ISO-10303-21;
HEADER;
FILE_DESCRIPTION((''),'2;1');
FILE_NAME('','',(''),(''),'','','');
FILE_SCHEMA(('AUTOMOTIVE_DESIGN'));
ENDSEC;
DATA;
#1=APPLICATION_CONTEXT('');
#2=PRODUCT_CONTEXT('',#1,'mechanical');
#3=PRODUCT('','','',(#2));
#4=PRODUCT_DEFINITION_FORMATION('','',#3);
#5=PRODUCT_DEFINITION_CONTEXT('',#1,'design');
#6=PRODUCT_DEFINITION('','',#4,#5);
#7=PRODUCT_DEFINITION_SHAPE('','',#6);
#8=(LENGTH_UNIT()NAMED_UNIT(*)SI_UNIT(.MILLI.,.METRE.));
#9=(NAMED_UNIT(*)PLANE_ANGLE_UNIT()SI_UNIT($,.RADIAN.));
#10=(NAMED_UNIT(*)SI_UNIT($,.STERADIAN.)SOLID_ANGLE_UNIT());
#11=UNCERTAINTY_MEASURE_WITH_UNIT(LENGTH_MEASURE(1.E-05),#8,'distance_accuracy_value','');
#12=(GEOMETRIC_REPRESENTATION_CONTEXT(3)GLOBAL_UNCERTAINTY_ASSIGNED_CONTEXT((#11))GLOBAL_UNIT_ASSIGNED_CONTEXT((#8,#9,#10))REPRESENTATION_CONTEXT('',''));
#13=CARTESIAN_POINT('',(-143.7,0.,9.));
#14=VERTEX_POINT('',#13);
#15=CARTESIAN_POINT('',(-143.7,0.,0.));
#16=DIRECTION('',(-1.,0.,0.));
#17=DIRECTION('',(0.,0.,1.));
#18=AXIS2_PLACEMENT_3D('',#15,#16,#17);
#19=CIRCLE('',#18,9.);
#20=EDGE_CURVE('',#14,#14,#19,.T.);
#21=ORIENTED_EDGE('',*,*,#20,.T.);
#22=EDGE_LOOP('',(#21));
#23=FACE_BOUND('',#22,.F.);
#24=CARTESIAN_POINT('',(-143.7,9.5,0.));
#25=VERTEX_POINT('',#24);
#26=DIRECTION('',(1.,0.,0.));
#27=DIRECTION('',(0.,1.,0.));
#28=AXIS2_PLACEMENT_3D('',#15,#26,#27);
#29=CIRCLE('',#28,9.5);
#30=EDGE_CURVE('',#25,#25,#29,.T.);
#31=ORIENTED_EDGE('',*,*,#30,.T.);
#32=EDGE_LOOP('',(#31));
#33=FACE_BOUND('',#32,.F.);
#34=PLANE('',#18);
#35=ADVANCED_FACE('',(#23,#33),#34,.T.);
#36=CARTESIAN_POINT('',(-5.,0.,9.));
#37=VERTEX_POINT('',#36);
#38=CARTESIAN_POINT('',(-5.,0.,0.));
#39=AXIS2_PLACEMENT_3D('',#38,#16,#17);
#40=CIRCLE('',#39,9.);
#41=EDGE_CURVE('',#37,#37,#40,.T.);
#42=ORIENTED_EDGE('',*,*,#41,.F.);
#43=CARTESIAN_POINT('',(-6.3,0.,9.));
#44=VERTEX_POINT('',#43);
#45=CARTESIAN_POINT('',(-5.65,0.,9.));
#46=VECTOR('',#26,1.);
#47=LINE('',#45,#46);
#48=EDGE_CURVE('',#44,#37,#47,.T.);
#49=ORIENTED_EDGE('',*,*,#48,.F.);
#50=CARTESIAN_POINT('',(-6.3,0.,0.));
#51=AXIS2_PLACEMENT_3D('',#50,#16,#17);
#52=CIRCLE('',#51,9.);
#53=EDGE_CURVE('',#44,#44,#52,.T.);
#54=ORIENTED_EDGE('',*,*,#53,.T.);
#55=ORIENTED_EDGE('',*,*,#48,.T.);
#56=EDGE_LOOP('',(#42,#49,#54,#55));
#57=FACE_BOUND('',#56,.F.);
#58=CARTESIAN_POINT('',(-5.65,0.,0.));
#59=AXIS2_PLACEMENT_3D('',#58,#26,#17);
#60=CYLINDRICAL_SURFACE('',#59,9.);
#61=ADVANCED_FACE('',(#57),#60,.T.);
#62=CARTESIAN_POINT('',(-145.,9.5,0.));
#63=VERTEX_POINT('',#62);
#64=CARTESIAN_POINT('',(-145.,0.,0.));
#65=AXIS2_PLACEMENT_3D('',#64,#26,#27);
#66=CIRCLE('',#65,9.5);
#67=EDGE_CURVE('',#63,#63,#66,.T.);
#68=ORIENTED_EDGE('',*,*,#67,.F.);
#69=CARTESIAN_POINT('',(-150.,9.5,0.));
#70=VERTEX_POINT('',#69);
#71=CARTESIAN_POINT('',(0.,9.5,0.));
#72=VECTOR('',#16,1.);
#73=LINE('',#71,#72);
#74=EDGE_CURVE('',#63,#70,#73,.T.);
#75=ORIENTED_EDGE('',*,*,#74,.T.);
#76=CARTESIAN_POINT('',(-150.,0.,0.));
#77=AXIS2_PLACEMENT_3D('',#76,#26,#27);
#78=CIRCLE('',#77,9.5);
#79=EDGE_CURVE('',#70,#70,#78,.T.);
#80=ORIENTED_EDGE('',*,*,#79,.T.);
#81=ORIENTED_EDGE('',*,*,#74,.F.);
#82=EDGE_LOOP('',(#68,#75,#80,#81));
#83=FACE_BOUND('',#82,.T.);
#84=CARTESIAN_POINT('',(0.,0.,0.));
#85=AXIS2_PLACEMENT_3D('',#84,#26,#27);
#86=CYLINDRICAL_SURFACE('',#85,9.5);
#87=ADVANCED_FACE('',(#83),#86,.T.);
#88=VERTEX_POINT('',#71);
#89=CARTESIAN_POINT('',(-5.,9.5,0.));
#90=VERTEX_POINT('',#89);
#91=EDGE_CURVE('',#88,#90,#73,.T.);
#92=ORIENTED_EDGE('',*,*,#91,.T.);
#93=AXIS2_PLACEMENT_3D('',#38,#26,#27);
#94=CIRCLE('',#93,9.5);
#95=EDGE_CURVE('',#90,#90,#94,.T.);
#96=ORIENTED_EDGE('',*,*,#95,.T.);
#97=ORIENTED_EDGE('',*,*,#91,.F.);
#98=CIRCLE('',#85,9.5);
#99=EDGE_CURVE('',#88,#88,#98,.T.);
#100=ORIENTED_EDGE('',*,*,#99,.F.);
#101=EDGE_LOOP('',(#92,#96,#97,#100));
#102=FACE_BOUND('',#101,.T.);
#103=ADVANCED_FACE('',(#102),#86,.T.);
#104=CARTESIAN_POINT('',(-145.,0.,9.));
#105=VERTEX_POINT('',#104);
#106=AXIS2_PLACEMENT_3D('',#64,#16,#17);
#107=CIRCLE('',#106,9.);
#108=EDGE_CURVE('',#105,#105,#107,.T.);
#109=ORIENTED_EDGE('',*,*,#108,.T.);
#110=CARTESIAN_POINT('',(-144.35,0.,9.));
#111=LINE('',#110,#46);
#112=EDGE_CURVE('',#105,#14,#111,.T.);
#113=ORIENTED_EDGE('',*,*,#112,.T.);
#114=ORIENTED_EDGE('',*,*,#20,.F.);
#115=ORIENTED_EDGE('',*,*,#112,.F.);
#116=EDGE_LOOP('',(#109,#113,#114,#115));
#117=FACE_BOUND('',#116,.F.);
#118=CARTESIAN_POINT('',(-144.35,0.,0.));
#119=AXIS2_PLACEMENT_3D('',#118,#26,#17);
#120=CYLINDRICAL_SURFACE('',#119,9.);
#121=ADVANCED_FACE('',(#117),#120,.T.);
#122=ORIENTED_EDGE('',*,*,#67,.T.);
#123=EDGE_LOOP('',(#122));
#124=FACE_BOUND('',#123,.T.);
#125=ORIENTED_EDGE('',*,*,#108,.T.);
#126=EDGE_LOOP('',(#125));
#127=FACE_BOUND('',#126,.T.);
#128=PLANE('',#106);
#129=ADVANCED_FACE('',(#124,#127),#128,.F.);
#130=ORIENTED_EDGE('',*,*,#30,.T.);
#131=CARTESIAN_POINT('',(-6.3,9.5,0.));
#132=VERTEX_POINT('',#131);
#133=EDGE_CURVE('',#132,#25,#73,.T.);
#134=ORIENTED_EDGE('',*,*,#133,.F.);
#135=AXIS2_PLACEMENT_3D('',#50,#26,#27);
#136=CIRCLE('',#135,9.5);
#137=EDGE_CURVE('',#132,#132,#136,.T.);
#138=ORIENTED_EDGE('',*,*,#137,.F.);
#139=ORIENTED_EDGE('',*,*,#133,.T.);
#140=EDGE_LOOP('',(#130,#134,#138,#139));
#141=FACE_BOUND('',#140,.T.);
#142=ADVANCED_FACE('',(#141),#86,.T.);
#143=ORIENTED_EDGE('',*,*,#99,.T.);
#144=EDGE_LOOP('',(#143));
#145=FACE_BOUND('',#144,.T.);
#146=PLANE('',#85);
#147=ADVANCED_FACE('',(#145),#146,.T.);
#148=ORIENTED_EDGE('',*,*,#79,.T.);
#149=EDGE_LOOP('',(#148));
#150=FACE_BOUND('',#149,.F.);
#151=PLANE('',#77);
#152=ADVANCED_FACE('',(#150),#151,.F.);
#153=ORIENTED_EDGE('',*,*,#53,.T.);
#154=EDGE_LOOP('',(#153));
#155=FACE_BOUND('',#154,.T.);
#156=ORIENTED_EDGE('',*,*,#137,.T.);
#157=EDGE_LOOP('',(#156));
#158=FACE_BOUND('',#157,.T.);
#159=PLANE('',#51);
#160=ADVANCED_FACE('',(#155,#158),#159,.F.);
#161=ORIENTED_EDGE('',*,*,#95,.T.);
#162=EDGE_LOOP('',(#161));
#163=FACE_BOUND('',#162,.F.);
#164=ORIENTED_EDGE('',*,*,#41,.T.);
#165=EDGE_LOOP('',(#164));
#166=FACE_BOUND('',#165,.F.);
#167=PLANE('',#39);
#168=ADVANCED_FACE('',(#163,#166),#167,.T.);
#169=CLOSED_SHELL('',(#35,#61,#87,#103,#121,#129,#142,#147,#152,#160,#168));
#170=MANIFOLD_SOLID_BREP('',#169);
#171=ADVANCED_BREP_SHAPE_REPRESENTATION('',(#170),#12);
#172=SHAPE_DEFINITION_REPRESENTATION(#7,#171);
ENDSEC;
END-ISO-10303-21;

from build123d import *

# Parameters (mm, degrees)
F0_R     = 9.5
F1_DEPTH = 150
F2_W     = 1.3
F2_H     = 0.5


with BuildPart() as f1:
    # F0 (on Right) → F1 (new body)
    with BuildSketch(Plane.YZ):
        Circle(F0_R)
    extrude(amount=-F1_DEPTH)

    # F2 (on Front) → F3 (revolve, cut)
    with BuildSketch(Plane.XZ):
        with Locations((-5.65, 9.25)):
            Rectangle(F2_W, F2_H)
        with Locations((-144.35, 9.25)):
            Rectangle(F2_W, F2_H)
    revolve(axis=Axis((-75, 0, 0), (-1, 0, 0)), mode=Mode.SUBTRACT)


solid = f1.part
